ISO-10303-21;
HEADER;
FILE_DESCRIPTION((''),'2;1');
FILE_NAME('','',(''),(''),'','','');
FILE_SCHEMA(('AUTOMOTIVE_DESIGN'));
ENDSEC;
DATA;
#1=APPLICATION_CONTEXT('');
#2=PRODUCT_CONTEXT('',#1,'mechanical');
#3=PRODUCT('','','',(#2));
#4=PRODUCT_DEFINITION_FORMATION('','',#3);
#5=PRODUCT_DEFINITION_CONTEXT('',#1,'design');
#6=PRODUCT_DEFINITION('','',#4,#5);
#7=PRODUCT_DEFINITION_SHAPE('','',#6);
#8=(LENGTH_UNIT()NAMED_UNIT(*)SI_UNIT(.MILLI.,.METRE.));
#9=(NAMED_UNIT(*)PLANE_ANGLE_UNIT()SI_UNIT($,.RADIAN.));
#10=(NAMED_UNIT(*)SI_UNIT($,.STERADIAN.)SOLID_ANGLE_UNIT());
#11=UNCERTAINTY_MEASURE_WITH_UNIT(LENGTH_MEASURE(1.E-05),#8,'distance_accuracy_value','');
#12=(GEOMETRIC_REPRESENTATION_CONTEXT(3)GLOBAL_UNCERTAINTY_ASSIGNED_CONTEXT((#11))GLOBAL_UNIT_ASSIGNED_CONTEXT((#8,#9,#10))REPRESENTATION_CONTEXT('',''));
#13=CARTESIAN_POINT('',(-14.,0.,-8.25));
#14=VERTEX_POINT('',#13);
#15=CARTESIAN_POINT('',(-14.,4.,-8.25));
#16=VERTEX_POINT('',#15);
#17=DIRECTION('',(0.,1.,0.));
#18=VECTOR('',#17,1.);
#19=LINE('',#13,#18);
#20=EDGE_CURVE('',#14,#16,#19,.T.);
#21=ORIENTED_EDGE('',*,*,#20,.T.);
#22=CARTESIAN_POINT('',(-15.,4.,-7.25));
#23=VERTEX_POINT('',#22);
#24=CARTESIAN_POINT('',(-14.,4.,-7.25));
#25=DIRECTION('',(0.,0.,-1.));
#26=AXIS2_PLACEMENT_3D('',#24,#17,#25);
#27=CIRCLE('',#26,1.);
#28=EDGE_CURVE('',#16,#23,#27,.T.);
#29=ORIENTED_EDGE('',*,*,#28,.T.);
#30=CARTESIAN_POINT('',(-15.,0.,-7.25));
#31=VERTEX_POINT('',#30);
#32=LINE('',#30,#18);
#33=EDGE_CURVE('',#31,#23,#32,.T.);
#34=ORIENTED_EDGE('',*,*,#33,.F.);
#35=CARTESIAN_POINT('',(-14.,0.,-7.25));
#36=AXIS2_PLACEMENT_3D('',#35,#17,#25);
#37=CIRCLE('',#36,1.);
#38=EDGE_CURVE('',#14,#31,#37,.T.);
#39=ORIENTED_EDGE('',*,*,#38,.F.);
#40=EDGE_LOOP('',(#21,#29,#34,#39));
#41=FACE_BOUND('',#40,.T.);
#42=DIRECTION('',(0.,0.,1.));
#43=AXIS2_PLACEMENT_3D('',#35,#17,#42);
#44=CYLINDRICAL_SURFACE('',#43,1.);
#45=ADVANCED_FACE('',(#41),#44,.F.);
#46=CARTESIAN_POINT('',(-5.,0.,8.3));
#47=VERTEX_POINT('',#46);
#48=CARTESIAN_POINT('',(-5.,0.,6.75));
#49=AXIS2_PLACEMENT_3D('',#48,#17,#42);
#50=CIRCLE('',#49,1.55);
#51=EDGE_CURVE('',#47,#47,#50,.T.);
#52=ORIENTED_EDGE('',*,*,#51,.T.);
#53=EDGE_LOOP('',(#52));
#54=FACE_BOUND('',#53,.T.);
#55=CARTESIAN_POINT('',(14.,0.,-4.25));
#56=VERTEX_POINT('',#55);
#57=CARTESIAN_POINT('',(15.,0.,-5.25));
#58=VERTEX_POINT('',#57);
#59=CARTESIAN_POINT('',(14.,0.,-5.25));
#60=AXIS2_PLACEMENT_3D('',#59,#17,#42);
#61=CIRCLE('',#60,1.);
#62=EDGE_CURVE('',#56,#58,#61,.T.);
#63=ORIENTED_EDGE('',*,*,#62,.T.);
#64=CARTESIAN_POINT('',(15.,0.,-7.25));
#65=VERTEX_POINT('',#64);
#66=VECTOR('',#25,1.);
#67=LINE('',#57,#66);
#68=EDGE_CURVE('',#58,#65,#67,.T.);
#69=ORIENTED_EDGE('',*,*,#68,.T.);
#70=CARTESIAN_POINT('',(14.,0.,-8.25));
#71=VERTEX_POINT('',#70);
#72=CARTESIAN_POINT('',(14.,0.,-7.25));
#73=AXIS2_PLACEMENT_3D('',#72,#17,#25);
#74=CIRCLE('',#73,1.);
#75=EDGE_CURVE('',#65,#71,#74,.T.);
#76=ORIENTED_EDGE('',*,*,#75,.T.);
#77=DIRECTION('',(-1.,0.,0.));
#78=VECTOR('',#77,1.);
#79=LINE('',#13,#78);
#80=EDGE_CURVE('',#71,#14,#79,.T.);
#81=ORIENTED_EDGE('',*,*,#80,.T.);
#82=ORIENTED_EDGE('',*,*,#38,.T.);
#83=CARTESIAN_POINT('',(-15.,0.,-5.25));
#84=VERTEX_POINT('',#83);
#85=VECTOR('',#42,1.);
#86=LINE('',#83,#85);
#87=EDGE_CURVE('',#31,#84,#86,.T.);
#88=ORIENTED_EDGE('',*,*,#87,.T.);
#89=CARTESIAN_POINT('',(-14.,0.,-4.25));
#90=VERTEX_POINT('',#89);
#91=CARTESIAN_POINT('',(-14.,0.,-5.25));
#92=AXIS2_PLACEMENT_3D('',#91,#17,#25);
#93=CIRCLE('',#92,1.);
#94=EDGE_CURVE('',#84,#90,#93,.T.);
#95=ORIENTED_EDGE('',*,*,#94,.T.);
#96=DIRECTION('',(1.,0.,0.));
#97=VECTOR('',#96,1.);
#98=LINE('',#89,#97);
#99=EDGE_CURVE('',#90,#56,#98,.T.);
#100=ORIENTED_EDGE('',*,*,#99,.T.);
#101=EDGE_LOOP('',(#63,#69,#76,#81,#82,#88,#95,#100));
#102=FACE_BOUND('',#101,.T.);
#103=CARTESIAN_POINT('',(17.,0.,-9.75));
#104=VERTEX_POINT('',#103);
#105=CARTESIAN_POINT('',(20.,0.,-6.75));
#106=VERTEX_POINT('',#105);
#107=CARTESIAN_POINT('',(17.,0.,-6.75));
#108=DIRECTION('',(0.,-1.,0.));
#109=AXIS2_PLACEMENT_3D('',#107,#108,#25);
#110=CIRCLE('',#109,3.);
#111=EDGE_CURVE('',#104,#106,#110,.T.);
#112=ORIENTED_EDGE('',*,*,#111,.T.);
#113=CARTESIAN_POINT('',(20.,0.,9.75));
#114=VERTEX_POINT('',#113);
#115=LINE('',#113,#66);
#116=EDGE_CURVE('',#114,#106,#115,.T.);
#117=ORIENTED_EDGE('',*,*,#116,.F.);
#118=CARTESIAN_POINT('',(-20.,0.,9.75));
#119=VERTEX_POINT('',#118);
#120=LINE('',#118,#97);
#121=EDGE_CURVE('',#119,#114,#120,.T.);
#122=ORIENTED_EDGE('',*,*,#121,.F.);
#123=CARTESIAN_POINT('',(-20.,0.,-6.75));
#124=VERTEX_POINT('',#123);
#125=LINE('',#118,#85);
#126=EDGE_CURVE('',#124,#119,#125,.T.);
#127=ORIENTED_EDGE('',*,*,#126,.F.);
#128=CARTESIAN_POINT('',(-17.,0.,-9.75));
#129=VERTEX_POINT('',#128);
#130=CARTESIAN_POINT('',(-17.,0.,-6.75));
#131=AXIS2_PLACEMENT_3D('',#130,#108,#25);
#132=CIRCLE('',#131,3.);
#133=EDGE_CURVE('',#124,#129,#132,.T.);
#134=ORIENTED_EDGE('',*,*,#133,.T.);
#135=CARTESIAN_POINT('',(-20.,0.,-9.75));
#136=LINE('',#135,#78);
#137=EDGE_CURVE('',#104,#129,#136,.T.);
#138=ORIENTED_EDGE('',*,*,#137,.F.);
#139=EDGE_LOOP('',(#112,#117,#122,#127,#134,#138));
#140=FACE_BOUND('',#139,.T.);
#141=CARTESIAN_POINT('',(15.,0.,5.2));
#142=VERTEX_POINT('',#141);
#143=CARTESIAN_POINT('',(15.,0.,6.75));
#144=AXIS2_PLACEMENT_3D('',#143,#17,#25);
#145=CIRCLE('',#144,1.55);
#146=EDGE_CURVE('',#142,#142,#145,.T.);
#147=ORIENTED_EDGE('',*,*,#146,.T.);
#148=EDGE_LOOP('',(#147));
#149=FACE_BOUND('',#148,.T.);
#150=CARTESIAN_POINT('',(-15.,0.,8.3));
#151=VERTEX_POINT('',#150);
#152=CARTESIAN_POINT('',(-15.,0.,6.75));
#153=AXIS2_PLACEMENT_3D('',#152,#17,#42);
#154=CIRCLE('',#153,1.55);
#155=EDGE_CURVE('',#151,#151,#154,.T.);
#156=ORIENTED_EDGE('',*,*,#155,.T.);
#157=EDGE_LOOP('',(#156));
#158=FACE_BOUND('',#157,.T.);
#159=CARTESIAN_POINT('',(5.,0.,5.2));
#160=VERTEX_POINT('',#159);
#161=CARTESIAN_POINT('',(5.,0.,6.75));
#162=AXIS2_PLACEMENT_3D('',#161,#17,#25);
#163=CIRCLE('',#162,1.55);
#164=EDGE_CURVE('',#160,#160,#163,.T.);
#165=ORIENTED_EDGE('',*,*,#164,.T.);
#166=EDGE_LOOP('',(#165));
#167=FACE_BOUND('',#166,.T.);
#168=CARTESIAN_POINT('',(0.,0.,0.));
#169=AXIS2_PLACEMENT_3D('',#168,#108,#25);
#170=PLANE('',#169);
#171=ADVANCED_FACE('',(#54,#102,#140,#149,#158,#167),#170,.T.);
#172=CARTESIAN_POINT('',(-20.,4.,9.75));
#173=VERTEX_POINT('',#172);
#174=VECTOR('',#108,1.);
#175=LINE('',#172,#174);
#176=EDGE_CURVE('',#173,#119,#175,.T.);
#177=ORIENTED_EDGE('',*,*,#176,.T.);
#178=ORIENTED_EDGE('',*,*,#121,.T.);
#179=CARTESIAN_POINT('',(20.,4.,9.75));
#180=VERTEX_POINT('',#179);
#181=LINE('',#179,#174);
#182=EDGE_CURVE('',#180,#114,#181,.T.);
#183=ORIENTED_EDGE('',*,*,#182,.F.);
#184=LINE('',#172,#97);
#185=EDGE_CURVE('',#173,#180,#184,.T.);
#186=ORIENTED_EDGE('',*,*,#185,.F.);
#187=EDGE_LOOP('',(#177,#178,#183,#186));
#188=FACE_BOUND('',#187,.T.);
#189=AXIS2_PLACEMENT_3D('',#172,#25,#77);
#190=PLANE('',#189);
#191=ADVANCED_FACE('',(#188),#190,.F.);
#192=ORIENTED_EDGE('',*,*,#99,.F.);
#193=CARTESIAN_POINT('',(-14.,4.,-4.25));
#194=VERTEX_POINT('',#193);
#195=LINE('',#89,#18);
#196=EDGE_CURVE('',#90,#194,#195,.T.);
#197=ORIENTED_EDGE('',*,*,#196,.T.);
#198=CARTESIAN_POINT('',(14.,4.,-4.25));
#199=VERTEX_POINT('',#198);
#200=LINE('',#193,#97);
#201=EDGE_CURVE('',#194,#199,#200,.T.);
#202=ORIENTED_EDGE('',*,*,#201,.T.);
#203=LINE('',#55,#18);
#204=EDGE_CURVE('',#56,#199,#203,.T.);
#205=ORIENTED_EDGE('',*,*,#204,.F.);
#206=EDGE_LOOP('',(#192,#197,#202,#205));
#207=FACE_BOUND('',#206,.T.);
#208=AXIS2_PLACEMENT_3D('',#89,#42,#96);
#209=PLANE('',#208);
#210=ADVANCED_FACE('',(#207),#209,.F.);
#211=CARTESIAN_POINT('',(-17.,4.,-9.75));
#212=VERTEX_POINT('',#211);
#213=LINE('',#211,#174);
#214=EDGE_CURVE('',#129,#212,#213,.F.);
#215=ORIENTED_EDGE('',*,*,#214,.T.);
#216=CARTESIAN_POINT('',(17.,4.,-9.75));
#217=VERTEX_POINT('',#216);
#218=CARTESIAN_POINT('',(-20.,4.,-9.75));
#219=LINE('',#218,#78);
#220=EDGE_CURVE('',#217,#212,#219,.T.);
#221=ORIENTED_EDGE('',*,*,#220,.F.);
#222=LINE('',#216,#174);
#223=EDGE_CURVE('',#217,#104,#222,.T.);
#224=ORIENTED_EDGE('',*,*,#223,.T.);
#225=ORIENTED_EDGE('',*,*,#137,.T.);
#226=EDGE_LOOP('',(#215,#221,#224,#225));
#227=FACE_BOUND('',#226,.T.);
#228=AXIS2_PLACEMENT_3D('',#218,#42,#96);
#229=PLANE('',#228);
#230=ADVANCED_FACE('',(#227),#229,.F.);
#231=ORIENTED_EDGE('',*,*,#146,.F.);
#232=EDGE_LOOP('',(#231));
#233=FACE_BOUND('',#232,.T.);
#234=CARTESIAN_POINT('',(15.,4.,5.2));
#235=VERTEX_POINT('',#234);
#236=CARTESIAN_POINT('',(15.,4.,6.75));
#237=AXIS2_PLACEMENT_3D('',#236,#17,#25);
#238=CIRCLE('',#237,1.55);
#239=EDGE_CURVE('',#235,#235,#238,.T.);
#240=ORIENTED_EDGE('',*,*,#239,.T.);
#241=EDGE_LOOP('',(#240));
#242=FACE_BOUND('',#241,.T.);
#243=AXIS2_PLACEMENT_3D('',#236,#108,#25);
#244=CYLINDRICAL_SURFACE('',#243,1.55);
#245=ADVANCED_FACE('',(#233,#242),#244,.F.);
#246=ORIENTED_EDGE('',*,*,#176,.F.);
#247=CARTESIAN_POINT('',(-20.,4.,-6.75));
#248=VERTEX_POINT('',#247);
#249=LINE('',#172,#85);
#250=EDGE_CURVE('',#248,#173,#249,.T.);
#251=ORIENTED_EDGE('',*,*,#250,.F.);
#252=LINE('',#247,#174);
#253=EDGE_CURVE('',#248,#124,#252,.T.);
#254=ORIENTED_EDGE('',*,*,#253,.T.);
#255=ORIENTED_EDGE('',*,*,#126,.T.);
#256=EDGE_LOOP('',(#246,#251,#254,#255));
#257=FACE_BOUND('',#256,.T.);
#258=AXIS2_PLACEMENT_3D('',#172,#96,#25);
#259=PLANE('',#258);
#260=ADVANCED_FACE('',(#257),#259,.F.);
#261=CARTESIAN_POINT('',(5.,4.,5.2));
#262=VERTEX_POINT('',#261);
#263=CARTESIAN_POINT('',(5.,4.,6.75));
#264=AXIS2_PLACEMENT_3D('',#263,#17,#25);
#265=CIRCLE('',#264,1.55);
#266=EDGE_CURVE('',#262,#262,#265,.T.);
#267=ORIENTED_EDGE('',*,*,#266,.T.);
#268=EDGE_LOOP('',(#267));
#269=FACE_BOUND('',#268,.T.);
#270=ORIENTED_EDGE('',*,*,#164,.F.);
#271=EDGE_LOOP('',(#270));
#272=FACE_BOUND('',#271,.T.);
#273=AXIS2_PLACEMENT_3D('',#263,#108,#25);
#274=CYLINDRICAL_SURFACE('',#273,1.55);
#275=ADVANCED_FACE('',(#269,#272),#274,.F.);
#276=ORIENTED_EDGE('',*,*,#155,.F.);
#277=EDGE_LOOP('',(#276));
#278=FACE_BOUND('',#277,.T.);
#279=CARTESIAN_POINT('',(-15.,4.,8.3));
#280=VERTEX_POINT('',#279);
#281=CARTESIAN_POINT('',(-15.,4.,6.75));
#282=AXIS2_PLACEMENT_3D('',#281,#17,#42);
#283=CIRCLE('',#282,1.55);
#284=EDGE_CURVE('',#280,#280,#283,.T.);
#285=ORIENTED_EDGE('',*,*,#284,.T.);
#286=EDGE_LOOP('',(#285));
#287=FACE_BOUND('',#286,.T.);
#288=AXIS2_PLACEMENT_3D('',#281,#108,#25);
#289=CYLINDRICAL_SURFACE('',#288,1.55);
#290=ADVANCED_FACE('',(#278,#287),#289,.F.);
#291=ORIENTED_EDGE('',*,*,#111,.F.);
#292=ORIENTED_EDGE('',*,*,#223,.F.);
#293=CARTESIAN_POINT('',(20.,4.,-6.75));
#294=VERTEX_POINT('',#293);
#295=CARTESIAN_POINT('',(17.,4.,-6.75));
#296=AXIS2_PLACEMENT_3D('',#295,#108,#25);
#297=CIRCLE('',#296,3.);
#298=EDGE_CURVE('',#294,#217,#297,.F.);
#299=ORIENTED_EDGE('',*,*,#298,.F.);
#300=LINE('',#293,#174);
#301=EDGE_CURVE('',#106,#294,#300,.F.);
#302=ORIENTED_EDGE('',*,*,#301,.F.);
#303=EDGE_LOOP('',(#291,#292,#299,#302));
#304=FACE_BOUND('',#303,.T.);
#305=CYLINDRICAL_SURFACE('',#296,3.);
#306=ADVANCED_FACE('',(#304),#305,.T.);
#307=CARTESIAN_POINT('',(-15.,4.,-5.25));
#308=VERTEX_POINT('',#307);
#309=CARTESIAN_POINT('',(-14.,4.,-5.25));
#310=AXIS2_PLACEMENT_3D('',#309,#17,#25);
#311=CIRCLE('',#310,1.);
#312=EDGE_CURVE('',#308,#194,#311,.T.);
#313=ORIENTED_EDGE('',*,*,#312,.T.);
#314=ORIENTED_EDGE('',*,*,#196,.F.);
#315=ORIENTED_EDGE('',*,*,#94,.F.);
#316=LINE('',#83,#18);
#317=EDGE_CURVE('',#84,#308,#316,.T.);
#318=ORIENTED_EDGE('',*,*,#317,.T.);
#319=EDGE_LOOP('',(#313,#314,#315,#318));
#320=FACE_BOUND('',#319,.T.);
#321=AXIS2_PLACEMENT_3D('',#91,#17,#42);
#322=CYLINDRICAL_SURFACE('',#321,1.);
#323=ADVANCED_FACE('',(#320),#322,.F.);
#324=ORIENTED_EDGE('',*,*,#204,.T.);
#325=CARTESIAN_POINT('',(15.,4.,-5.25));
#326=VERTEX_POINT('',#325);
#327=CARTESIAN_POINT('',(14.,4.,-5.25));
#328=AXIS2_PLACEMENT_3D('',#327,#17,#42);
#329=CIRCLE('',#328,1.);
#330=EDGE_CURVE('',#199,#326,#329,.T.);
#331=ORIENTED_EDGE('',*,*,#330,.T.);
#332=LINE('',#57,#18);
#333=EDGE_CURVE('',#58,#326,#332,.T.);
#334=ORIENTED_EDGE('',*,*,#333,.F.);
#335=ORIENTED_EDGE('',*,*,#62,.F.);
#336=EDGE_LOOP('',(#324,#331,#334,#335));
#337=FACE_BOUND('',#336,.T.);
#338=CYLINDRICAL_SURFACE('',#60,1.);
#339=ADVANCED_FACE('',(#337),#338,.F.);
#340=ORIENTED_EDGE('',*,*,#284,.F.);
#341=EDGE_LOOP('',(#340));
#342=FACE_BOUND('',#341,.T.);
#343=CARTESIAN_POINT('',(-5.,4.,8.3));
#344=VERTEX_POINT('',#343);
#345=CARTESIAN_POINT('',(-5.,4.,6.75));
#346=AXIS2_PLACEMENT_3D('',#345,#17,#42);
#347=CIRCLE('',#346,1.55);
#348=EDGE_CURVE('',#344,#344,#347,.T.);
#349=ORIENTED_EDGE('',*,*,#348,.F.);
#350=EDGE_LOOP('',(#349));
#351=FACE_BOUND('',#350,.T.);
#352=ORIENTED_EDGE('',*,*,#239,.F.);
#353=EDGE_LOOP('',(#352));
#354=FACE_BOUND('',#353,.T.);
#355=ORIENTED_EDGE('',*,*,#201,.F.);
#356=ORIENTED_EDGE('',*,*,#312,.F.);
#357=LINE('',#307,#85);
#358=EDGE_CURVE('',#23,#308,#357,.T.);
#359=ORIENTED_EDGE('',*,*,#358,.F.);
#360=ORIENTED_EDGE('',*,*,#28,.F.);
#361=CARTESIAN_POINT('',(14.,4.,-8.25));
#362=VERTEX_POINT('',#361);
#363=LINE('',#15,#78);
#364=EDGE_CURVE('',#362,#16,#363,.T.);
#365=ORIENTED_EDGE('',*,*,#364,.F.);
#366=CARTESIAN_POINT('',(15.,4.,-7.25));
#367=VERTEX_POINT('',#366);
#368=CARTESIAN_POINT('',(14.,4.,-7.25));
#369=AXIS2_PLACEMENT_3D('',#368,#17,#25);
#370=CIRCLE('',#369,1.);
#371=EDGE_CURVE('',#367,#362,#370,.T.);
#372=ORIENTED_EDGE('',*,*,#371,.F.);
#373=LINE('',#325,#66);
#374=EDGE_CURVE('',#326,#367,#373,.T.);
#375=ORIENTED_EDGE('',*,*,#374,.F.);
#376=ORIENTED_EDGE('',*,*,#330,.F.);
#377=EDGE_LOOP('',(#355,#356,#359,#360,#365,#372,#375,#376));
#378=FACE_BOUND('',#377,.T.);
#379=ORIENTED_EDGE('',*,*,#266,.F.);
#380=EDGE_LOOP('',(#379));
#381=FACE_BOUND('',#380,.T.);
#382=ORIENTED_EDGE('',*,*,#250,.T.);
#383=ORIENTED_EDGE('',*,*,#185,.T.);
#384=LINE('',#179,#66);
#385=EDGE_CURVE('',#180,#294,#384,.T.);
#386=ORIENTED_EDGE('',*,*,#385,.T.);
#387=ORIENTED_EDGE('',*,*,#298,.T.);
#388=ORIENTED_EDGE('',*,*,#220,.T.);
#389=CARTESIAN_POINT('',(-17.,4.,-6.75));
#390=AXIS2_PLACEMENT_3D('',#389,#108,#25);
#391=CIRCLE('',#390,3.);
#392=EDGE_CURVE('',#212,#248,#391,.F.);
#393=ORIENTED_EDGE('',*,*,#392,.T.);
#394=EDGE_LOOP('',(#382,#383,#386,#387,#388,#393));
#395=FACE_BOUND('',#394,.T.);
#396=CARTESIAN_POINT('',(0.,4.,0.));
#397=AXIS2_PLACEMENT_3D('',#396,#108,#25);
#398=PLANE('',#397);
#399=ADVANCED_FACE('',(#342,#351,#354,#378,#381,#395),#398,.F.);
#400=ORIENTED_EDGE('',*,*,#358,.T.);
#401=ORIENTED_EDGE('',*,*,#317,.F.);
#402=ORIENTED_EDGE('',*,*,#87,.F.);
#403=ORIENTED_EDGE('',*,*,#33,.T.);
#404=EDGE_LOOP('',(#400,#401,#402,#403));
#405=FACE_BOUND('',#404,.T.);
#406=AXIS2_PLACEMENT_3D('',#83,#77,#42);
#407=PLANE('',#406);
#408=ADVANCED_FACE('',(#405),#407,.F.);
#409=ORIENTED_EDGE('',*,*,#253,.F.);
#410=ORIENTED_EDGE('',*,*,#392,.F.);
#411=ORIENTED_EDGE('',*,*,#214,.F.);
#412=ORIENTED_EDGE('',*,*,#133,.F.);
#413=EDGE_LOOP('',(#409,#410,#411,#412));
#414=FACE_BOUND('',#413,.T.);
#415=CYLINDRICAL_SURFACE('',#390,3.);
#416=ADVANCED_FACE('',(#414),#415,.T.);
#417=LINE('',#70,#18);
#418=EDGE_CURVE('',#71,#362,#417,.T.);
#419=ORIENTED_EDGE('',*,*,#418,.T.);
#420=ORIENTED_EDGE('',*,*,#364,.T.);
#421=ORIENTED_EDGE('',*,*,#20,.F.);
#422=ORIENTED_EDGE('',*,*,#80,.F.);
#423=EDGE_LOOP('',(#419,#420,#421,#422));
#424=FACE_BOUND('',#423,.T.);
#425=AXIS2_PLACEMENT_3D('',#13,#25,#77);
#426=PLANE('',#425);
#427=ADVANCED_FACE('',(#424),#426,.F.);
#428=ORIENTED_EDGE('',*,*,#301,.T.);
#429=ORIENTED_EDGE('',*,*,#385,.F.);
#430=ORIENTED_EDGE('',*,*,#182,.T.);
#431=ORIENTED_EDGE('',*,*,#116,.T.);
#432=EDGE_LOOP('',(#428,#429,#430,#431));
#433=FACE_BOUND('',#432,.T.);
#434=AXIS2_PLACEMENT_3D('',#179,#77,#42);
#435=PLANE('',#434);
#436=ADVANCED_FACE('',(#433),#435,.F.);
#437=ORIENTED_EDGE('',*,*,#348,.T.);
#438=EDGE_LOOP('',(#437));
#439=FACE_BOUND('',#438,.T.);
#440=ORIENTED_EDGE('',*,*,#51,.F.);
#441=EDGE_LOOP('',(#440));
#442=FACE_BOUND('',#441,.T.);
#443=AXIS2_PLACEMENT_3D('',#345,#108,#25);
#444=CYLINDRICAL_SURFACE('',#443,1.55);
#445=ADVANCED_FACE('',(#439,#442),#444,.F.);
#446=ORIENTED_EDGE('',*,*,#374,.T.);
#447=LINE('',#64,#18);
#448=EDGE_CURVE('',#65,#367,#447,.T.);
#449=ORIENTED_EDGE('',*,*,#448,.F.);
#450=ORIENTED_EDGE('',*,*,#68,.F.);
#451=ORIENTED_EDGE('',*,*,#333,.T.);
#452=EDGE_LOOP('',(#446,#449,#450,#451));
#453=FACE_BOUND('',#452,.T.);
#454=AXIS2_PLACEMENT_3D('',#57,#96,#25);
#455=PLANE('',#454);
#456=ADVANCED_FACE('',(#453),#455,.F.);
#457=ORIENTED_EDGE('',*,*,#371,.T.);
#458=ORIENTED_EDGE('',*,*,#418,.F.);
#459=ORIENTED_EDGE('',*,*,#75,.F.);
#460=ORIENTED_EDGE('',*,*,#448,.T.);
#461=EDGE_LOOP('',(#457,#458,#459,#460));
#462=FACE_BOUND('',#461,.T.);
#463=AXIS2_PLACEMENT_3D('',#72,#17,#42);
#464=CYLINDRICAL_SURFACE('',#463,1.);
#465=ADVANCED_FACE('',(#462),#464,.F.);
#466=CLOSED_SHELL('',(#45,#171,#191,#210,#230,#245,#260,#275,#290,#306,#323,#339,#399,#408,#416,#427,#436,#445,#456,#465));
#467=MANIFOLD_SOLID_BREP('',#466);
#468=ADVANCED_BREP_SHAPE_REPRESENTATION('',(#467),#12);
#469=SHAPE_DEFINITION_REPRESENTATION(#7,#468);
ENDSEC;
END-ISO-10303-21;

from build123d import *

# Parameters (mm, degrees)
SKETCH_1_W          = 40
SKETCH_1_H          = 19.5
SKETCH_1_R          = 1.55
EXTRUDE_1_DEPTH     = 4
CUT_EXTRUDE_1_DEPTH = 4
FILLET_1_R          = 3


with BuildPart() as part:
    # 草图1 → 凸台-拉伸1 (new body)
    with BuildSketch(Plane(origin=(0, 0, 0), x_dir=(1, 0, 0), z_dir=(0, 1, 0))):
        Rectangle(SKETCH_1_W, SKETCH_1_H)
        with Locations(Location((-15, -6.75, 0), (0, 0, 270))):
            Circle(SKETCH_1_R, mode=Mode.SUBTRACT)
        with Locations(Location((-5, -6.75, 0), (0, 0, 270))):
            Circle(SKETCH_1_R, mode=Mode.SUBTRACT)
        with Locations(Location((15, -6.75, 0), (0, 0, 90))):
            Circle(SKETCH_1_R, mode=Mode.SUBTRACT)
        with Locations(Location((5, -6.75, 0), (0, 0, 90))):
            Circle(SKETCH_1_R, mode=Mode.SUBTRACT)
    extrude(amount=EXTRUDE_1_DEPTH)

    # 草图2 → 切除-拉伸1 (cut)
    with BuildSketch(Plane(origin=(0, 4, 0), x_dir=(1, 0, 0), z_dir=(0, 1, 0))):
        with BuildLine():
            Line((-14, 4.25), (14, 4.25))
            ThreePointArc((14, 4.25), (14.707106781, 4.542893219), (15, 5.25))
            Line((15, 5.25), (15, 7.25))
            ThreePointArc((15, 7.25), (14.707106781, 7.957106781), (14, 8.25))
            Line((14, 8.25), (-14, 8.25))
            ThreePointArc((-14, 8.25), (-14.707106781, 7.957106781), (-15, 7.25))
            Line((-15, 7.25), (-15, 5.25))
            ThreePointArc((-15, 5.25), (-14.707106781, 4.542893219), (-14, 4.25))
        make_face()
    extrude(amount=-CUT_EXTRUDE_1_DEPTH, mode=Mode.SUBTRACT)

    # 圆角1
    fillet_1_edges = [part.edges().sort_by_distance(p)[0] for p in [
        (-20, 2, -9.75),
        (20, 2, -9.75),
    ]]
    fillet(fillet_1_edges, radius=FILLET_1_R)


solid = part.part
